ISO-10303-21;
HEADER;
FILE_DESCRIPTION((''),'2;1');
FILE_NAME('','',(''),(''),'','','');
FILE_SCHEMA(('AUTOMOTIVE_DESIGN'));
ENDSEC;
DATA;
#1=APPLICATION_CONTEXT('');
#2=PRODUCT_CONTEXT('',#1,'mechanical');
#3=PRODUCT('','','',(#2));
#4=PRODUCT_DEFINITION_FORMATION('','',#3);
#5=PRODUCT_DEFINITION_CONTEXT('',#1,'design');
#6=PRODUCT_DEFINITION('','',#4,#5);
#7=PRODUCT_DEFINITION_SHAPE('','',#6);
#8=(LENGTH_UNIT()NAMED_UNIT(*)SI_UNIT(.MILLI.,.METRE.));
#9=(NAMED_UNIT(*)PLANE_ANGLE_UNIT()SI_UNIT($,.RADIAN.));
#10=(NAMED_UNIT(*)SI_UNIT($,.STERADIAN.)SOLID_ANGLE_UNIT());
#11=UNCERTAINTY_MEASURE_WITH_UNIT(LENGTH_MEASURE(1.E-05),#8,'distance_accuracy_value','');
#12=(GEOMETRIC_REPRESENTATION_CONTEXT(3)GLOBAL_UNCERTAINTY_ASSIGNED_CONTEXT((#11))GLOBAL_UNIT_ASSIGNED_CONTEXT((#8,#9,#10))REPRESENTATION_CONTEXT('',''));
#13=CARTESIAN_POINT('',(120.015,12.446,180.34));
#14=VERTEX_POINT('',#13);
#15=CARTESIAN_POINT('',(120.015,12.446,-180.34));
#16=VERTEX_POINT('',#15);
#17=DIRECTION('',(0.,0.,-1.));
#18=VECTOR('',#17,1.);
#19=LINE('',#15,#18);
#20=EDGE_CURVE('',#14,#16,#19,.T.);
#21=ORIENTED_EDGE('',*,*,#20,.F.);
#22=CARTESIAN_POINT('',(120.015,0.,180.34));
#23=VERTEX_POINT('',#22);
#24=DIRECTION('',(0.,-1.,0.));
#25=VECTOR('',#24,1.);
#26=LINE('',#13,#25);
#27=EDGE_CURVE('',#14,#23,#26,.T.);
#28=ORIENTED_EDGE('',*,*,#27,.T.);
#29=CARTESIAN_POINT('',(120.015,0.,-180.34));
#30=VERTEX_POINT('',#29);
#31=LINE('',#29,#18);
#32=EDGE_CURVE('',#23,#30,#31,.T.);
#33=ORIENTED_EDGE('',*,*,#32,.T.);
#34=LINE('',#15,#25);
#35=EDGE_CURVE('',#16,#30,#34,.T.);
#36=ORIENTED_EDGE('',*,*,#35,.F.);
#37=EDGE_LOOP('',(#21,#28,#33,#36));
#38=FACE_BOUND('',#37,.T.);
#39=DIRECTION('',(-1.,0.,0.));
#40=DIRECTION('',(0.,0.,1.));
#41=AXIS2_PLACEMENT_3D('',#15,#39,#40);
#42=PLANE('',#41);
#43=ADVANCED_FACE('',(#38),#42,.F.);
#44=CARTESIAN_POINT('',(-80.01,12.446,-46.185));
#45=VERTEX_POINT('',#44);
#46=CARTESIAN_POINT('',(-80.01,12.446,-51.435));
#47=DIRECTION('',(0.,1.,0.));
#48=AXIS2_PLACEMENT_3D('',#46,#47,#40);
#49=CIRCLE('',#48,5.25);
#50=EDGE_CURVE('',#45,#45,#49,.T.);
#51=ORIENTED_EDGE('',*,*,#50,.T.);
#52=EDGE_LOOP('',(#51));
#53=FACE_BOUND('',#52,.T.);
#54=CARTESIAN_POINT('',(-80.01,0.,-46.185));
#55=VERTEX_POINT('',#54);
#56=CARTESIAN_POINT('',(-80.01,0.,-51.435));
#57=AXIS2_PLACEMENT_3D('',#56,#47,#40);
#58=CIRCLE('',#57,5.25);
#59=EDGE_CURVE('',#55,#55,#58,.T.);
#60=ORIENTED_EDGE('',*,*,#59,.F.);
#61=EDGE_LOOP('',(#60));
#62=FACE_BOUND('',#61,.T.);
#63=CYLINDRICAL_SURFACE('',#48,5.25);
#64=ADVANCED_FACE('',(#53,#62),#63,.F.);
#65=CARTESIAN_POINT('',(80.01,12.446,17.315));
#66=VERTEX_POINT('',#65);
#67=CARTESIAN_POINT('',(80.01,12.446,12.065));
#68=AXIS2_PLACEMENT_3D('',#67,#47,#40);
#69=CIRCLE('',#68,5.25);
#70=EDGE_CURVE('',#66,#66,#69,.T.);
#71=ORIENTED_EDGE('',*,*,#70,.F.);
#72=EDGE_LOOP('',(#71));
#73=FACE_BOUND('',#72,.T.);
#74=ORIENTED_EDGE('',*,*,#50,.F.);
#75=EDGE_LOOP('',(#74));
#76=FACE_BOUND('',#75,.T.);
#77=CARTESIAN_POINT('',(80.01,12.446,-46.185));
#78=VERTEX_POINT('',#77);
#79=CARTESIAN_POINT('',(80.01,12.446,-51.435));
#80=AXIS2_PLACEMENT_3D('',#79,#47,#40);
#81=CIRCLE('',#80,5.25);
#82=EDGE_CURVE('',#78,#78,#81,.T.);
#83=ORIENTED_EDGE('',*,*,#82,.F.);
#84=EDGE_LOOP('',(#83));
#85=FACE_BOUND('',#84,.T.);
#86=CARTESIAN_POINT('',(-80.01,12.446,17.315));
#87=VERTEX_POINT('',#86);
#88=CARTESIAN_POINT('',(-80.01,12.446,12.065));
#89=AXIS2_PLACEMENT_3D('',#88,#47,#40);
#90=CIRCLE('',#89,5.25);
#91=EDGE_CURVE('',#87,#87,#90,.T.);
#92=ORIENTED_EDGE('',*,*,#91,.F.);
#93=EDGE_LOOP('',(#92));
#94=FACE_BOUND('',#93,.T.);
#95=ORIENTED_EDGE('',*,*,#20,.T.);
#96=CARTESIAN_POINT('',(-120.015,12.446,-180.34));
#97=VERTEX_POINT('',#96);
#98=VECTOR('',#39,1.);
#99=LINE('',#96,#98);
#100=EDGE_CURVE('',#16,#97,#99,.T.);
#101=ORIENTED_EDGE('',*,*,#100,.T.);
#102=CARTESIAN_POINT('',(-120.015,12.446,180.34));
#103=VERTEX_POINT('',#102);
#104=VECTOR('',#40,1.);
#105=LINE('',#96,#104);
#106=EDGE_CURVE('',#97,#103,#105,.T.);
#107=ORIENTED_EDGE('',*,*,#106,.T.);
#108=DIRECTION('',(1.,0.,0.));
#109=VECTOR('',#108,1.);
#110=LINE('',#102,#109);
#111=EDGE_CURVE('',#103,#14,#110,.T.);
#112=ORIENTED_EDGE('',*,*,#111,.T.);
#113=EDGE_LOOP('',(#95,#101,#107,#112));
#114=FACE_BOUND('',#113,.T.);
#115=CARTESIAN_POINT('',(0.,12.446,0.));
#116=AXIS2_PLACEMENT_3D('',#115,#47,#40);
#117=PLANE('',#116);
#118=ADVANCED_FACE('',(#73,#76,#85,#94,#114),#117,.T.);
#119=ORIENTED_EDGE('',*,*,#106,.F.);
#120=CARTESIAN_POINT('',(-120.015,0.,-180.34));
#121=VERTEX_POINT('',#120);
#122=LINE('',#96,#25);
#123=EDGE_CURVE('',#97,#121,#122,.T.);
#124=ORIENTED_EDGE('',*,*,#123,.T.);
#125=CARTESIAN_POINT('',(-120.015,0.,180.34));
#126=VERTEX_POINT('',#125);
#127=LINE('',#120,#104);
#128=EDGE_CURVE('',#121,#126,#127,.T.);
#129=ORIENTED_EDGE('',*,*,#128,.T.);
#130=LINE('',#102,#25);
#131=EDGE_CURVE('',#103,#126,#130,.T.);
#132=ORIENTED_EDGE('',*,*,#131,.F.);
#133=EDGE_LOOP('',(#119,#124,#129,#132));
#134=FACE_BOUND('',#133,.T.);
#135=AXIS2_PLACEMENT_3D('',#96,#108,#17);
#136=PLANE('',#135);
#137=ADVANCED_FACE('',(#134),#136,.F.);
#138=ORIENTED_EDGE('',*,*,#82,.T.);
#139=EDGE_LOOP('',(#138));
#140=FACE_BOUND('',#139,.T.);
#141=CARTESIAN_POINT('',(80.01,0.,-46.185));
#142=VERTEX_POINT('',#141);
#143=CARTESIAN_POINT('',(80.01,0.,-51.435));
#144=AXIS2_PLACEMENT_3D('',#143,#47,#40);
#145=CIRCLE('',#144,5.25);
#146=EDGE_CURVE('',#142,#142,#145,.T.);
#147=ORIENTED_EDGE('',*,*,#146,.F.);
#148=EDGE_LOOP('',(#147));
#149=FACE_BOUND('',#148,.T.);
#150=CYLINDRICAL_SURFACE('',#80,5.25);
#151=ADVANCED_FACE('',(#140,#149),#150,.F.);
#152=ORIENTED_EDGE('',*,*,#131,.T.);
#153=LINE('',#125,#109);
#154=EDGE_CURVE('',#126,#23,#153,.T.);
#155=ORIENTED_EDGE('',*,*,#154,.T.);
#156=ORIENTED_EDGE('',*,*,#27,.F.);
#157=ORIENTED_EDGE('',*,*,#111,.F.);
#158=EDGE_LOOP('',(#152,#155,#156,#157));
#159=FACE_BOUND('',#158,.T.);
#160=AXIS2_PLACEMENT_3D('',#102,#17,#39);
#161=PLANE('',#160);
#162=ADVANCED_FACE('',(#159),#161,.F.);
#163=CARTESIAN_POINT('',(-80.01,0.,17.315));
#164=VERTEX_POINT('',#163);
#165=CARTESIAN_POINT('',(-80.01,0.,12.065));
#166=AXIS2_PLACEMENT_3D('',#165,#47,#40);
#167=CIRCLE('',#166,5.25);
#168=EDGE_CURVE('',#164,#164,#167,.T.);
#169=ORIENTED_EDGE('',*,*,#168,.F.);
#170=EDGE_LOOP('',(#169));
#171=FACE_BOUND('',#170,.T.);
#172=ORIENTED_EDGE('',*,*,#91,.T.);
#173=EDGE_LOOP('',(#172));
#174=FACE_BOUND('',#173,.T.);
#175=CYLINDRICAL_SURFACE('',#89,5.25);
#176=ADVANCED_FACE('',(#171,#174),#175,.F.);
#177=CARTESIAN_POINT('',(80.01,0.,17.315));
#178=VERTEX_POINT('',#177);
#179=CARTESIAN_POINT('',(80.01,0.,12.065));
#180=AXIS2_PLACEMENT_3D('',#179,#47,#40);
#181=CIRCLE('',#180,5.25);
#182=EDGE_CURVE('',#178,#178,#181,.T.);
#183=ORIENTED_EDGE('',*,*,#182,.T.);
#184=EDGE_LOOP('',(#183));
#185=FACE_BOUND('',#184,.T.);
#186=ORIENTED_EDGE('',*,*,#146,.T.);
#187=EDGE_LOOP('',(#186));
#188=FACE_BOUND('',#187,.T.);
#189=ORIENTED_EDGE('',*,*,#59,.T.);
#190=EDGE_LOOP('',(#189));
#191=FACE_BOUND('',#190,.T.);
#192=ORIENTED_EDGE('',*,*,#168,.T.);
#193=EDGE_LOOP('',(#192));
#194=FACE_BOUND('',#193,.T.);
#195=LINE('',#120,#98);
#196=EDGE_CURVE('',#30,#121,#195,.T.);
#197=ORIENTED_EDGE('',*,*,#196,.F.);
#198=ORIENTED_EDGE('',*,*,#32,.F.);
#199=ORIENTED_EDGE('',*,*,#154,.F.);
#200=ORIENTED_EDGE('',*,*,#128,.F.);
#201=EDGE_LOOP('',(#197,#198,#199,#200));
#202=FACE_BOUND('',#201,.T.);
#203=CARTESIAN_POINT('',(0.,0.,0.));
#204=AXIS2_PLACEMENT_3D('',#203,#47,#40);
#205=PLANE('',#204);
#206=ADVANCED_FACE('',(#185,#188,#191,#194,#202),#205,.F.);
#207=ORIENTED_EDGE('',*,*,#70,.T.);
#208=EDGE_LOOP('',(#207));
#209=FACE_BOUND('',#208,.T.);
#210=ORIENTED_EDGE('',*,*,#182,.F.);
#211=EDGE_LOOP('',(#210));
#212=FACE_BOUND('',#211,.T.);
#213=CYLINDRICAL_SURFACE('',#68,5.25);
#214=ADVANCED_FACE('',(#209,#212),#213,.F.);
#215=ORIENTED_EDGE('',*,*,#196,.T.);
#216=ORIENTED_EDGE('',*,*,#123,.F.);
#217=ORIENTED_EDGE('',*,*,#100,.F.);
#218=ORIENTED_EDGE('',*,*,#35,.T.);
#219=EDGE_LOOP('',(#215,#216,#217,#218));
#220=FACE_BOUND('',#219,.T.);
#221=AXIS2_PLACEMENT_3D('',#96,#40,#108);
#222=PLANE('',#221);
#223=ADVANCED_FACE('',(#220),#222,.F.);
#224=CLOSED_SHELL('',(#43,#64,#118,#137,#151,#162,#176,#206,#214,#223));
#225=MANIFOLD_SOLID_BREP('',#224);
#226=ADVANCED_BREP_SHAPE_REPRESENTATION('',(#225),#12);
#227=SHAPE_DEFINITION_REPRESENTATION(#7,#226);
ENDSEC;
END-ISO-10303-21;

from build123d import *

# Parameters (mm, degrees)
SKETCH1_W                              = 240.03
SKETCH1_H                              = 360.68
BOSS_EXTRUDE1_DEPTH                    = 12.446
TAP_DRILL_FOR_M10_HELICOIL1_AT_2_COUNT = 2
TAP_DRILL_FOR_M10_HELICOIL1_AT_2_PITCH = 63.5


with BuildPart() as part:
    # Sketch1 → Boss-Extrude1 (new body)
    with BuildSketch(Plane(origin=(0, 0, 0), x_dir=(1, 0, 0), z_dir=(0, 1, 0))):
        Rectangle(SKETCH1_W, SKETCH1_H)
    extrude(amount=BOSS_EXTRUDE1_DEPTH)

    # Sketch4 → Tap Drill for M10 Helicoil1 (revolve, cut)
    with BuildSketch(Plane(origin=(80.01, 12.446, -51.435), x_dir=(0, 0, 1), z_dir=(1, 0, 0))):
        Polygon((0, 0), (0, 28.15451905), (5.25, 25.0000008), (5.25, 0), align=None)
    tap_drill_for_m10_helicoil1 = revolve(axis=Axis((80.01, 18.796, -51.435), (0, -1, 0)), mode=Mode.SUBTRACT)

    # Tap Drill for M10 Helicoil1 at 2: Tap Drill for M10 Helicoil1 ×2
    with Locations(*[(0, 0, i * TAP_DRILL_FOR_M10_HELICOIL1_AT_2_PITCH) for i in range(1, TAP_DRILL_FOR_M10_HELICOIL1_AT_2_COUNT)]):
        add(tap_drill_for_m10_helicoil1, mode=Mode.SUBTRACT)

    # Mirror1: Tap Drill for M10 Helicoil1 across plane
    add(tap_drill_for_m10_helicoil1.mirror(Plane.ZY), mode=Mode.SUBTRACT)

    # Mirror1 copy 1 sketch → Mirror1 copy 1 (revolve, cut)
    with BuildSketch(Plane(origin=(-80.01, 12.446, 12.065), x_dir=(0, 0, 1), z_dir=(-1, 0, 0))):
        Polygon((0, 0), (0, -28.15451905), (5.25, -25.0000008), (5.25, 0), align=None)
    revolve(axis=Axis((-80.01, 18.796, 12.065), (0, 1, 0)), mode=Mode.SUBTRACT)


solid = part.part
